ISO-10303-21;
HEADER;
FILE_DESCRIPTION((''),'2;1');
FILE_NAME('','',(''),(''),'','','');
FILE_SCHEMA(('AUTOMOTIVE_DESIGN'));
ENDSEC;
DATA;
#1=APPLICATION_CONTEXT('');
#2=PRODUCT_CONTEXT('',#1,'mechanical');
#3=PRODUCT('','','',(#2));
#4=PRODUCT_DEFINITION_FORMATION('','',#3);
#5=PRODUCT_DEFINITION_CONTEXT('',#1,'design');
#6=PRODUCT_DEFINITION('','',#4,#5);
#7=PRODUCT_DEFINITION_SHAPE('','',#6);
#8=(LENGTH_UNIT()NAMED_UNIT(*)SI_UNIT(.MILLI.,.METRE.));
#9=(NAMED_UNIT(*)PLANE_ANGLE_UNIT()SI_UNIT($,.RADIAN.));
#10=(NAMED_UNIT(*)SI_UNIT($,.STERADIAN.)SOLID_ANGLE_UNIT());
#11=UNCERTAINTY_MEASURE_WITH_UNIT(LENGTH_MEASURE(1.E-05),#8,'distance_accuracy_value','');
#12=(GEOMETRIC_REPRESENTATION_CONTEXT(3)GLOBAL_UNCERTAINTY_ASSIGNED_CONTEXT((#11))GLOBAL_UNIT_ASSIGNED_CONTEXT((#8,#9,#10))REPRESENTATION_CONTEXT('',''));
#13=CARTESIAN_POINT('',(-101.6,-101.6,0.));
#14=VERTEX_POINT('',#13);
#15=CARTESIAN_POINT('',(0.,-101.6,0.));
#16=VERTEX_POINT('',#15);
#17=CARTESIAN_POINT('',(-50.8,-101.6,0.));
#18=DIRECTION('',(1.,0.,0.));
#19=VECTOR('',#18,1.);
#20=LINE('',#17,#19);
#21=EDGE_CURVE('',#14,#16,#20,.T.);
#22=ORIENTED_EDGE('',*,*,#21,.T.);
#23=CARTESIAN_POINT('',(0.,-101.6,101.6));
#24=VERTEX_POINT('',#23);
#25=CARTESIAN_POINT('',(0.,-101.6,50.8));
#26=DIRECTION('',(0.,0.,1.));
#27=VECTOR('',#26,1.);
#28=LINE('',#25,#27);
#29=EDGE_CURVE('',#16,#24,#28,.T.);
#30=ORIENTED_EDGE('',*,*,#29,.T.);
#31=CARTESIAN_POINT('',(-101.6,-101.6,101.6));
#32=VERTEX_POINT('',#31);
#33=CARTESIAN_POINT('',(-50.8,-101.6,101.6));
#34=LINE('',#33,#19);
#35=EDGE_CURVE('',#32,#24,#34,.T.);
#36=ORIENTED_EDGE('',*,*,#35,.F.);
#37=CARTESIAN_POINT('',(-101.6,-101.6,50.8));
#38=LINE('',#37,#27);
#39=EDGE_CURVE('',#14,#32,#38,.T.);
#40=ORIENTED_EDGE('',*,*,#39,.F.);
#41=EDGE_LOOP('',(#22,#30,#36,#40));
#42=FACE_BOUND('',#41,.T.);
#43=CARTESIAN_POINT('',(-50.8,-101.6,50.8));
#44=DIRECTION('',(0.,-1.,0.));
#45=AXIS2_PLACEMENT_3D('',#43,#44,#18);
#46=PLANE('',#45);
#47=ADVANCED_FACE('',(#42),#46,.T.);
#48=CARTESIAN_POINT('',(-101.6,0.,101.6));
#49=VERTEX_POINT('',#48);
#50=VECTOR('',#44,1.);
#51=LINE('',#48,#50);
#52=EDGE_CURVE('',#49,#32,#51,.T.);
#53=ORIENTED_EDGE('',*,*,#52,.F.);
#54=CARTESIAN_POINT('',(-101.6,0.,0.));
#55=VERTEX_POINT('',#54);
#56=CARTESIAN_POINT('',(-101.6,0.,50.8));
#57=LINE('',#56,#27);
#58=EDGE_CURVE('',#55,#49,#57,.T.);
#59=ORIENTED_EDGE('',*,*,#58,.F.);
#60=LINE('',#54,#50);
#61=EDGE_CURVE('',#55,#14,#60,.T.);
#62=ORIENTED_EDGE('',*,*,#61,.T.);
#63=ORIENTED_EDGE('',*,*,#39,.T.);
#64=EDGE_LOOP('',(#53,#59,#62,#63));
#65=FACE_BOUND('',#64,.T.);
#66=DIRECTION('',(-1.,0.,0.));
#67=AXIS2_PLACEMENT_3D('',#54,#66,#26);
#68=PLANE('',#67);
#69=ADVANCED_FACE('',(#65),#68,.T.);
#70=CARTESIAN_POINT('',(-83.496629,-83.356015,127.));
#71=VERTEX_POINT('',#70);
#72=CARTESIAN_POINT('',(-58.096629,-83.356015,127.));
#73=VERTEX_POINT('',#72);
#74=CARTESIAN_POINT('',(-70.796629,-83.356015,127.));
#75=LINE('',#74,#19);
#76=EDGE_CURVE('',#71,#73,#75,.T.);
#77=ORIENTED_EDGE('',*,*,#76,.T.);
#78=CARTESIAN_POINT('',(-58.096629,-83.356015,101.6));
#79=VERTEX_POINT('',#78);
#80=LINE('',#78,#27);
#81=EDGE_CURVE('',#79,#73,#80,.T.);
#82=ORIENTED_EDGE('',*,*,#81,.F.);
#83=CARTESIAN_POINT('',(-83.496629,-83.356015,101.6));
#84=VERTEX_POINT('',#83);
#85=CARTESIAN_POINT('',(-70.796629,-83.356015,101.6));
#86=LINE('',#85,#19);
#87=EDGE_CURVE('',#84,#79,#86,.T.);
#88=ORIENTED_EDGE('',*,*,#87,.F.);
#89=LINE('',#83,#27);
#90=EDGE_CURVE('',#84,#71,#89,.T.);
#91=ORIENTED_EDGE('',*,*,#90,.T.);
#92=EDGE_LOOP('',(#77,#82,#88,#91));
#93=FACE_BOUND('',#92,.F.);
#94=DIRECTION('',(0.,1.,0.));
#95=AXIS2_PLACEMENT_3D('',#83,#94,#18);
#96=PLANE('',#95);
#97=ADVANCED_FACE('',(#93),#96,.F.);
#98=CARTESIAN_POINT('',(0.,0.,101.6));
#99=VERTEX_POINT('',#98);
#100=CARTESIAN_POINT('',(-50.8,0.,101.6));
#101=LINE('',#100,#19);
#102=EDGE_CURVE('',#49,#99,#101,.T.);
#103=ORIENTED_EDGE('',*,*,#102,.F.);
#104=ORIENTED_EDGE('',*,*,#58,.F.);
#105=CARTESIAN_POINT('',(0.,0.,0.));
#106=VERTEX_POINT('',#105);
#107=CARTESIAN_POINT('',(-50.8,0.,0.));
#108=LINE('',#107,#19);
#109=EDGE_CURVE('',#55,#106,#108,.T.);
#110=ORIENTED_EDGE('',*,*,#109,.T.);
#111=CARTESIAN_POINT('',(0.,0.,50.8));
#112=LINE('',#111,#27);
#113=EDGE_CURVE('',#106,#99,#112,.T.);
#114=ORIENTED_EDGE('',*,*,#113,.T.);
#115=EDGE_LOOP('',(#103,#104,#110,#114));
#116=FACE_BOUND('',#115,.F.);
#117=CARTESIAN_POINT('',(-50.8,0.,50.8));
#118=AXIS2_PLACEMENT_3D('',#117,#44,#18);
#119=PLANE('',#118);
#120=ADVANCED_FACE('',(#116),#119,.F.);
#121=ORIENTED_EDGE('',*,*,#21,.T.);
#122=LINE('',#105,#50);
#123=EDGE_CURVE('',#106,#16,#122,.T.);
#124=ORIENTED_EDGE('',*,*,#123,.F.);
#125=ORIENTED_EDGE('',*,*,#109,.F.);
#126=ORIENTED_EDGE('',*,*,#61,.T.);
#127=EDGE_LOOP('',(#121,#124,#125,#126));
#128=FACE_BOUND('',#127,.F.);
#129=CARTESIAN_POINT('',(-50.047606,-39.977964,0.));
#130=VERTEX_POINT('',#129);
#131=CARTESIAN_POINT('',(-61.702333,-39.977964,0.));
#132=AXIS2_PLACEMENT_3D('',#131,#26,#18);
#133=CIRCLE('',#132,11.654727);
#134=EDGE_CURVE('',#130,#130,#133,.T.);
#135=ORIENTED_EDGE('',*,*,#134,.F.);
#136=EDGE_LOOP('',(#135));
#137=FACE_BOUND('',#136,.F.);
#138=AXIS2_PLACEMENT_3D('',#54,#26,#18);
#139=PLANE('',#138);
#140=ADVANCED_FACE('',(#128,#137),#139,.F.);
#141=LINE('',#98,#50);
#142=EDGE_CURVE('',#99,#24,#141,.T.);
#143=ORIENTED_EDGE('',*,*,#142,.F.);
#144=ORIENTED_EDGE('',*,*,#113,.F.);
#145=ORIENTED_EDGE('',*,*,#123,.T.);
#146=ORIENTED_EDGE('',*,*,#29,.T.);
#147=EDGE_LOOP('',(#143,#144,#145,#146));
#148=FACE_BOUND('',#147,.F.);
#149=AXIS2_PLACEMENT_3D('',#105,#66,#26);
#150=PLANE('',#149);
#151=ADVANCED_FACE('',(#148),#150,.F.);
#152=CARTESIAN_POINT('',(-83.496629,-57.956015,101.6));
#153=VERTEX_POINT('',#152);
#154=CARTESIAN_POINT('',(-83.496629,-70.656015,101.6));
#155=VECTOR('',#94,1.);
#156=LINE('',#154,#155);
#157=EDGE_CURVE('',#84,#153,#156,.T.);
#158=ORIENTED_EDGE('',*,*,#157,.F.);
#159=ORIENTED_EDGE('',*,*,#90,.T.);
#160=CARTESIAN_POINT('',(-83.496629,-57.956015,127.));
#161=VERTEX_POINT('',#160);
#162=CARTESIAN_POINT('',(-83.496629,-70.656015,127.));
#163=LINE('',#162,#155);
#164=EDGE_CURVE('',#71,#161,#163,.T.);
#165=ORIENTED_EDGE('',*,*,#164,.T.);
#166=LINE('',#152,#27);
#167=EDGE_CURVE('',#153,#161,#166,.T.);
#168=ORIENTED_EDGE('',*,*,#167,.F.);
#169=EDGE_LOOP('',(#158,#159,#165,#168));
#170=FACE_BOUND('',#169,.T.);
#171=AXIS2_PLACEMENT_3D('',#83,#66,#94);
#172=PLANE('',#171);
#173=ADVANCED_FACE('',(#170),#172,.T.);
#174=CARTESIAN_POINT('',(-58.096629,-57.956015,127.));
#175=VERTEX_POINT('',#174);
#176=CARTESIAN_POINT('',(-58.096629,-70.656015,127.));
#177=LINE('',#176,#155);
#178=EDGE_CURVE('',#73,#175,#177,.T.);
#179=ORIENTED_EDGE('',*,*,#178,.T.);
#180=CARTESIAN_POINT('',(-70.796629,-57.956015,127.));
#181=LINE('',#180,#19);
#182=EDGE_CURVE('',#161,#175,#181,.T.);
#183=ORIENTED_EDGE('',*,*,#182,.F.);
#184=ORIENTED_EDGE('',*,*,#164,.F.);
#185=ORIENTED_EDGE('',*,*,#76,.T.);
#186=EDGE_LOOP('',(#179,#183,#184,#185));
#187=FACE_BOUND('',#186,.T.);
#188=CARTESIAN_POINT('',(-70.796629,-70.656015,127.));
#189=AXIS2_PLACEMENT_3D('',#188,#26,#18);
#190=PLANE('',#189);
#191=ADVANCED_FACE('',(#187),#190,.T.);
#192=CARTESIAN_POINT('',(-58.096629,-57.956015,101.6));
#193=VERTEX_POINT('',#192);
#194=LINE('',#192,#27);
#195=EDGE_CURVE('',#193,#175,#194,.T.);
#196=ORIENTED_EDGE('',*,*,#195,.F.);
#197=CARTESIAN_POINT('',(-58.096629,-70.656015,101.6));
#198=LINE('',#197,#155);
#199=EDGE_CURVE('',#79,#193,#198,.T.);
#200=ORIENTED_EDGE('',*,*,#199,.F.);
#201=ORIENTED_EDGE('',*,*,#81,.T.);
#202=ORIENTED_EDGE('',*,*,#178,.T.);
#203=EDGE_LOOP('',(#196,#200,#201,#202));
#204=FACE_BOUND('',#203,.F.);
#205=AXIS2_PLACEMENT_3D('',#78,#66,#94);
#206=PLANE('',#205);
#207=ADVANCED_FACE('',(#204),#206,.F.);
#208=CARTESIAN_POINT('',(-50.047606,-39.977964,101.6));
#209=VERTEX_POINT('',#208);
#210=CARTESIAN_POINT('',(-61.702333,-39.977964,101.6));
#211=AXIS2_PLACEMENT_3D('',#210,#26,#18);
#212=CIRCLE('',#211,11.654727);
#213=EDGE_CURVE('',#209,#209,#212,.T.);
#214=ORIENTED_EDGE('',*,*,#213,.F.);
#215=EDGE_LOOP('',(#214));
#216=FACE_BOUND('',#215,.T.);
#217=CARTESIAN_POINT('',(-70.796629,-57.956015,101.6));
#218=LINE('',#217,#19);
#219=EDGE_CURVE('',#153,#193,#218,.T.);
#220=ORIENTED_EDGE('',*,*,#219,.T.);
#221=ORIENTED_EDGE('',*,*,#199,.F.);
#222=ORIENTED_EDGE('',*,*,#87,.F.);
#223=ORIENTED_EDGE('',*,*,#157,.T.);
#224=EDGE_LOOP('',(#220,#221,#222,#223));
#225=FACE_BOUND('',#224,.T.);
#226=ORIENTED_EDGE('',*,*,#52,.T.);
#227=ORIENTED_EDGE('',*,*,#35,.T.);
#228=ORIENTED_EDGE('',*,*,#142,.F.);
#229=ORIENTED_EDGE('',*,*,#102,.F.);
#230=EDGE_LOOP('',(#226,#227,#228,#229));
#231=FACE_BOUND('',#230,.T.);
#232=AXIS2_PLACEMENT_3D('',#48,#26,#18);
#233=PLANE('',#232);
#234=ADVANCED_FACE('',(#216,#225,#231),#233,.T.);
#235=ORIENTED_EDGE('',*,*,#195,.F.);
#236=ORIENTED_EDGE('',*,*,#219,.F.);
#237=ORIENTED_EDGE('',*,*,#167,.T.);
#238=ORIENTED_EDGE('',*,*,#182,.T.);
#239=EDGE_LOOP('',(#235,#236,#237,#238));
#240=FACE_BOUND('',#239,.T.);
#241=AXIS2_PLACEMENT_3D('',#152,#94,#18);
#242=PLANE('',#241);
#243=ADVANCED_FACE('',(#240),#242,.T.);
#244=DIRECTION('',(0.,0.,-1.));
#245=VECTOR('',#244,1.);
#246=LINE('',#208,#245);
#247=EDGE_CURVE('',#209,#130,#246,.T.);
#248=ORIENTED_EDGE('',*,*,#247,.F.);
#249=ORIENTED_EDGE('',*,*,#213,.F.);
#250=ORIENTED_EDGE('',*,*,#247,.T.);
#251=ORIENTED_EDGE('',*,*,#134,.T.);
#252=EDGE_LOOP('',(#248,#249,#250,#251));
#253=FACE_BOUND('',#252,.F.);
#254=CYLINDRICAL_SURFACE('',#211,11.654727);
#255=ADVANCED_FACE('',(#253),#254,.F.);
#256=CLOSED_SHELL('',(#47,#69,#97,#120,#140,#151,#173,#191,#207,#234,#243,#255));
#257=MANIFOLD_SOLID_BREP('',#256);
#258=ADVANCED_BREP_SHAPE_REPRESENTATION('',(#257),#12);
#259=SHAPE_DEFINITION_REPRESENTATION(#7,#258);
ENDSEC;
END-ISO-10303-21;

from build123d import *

# Parameters (mm, degrees)
F0_W     = 101.6
F0_H     = 101.6
F1_DEPTH = 101.6
F2_R     = 11.654727
F3_DEPTH = 101.6
F4_W     = 25.4
F4_H     = 25.4
F5_DEPTH = 25.4


with BuildPart() as f1:
    # F0 (on Front) → F1 (new body)
    with BuildSketch(Plane.XZ):
        with Locations((-50.8, 50.8)):
            Rectangle(F0_W, F0_H)
    extrude(amount=F1_DEPTH)

    # F2 (on face) → F3 (cut)
    with BuildSketch(Plane.XY.offset(101.6)):
        with Locations((-61.702333, -39.977964)):
            Circle(F2_R)
    extrude(amount=-F3_DEPTH, mode=Mode.SUBTRACT)

    # F4 (on face) → F5 (join)
    with BuildSketch(Plane.XY.offset(101.6)):
        with Locations((-70.796629, -70.656015)):
            Rectangle(F4_W, F4_H)
    extrude(amount=F5_DEPTH)


solid = f1.part
